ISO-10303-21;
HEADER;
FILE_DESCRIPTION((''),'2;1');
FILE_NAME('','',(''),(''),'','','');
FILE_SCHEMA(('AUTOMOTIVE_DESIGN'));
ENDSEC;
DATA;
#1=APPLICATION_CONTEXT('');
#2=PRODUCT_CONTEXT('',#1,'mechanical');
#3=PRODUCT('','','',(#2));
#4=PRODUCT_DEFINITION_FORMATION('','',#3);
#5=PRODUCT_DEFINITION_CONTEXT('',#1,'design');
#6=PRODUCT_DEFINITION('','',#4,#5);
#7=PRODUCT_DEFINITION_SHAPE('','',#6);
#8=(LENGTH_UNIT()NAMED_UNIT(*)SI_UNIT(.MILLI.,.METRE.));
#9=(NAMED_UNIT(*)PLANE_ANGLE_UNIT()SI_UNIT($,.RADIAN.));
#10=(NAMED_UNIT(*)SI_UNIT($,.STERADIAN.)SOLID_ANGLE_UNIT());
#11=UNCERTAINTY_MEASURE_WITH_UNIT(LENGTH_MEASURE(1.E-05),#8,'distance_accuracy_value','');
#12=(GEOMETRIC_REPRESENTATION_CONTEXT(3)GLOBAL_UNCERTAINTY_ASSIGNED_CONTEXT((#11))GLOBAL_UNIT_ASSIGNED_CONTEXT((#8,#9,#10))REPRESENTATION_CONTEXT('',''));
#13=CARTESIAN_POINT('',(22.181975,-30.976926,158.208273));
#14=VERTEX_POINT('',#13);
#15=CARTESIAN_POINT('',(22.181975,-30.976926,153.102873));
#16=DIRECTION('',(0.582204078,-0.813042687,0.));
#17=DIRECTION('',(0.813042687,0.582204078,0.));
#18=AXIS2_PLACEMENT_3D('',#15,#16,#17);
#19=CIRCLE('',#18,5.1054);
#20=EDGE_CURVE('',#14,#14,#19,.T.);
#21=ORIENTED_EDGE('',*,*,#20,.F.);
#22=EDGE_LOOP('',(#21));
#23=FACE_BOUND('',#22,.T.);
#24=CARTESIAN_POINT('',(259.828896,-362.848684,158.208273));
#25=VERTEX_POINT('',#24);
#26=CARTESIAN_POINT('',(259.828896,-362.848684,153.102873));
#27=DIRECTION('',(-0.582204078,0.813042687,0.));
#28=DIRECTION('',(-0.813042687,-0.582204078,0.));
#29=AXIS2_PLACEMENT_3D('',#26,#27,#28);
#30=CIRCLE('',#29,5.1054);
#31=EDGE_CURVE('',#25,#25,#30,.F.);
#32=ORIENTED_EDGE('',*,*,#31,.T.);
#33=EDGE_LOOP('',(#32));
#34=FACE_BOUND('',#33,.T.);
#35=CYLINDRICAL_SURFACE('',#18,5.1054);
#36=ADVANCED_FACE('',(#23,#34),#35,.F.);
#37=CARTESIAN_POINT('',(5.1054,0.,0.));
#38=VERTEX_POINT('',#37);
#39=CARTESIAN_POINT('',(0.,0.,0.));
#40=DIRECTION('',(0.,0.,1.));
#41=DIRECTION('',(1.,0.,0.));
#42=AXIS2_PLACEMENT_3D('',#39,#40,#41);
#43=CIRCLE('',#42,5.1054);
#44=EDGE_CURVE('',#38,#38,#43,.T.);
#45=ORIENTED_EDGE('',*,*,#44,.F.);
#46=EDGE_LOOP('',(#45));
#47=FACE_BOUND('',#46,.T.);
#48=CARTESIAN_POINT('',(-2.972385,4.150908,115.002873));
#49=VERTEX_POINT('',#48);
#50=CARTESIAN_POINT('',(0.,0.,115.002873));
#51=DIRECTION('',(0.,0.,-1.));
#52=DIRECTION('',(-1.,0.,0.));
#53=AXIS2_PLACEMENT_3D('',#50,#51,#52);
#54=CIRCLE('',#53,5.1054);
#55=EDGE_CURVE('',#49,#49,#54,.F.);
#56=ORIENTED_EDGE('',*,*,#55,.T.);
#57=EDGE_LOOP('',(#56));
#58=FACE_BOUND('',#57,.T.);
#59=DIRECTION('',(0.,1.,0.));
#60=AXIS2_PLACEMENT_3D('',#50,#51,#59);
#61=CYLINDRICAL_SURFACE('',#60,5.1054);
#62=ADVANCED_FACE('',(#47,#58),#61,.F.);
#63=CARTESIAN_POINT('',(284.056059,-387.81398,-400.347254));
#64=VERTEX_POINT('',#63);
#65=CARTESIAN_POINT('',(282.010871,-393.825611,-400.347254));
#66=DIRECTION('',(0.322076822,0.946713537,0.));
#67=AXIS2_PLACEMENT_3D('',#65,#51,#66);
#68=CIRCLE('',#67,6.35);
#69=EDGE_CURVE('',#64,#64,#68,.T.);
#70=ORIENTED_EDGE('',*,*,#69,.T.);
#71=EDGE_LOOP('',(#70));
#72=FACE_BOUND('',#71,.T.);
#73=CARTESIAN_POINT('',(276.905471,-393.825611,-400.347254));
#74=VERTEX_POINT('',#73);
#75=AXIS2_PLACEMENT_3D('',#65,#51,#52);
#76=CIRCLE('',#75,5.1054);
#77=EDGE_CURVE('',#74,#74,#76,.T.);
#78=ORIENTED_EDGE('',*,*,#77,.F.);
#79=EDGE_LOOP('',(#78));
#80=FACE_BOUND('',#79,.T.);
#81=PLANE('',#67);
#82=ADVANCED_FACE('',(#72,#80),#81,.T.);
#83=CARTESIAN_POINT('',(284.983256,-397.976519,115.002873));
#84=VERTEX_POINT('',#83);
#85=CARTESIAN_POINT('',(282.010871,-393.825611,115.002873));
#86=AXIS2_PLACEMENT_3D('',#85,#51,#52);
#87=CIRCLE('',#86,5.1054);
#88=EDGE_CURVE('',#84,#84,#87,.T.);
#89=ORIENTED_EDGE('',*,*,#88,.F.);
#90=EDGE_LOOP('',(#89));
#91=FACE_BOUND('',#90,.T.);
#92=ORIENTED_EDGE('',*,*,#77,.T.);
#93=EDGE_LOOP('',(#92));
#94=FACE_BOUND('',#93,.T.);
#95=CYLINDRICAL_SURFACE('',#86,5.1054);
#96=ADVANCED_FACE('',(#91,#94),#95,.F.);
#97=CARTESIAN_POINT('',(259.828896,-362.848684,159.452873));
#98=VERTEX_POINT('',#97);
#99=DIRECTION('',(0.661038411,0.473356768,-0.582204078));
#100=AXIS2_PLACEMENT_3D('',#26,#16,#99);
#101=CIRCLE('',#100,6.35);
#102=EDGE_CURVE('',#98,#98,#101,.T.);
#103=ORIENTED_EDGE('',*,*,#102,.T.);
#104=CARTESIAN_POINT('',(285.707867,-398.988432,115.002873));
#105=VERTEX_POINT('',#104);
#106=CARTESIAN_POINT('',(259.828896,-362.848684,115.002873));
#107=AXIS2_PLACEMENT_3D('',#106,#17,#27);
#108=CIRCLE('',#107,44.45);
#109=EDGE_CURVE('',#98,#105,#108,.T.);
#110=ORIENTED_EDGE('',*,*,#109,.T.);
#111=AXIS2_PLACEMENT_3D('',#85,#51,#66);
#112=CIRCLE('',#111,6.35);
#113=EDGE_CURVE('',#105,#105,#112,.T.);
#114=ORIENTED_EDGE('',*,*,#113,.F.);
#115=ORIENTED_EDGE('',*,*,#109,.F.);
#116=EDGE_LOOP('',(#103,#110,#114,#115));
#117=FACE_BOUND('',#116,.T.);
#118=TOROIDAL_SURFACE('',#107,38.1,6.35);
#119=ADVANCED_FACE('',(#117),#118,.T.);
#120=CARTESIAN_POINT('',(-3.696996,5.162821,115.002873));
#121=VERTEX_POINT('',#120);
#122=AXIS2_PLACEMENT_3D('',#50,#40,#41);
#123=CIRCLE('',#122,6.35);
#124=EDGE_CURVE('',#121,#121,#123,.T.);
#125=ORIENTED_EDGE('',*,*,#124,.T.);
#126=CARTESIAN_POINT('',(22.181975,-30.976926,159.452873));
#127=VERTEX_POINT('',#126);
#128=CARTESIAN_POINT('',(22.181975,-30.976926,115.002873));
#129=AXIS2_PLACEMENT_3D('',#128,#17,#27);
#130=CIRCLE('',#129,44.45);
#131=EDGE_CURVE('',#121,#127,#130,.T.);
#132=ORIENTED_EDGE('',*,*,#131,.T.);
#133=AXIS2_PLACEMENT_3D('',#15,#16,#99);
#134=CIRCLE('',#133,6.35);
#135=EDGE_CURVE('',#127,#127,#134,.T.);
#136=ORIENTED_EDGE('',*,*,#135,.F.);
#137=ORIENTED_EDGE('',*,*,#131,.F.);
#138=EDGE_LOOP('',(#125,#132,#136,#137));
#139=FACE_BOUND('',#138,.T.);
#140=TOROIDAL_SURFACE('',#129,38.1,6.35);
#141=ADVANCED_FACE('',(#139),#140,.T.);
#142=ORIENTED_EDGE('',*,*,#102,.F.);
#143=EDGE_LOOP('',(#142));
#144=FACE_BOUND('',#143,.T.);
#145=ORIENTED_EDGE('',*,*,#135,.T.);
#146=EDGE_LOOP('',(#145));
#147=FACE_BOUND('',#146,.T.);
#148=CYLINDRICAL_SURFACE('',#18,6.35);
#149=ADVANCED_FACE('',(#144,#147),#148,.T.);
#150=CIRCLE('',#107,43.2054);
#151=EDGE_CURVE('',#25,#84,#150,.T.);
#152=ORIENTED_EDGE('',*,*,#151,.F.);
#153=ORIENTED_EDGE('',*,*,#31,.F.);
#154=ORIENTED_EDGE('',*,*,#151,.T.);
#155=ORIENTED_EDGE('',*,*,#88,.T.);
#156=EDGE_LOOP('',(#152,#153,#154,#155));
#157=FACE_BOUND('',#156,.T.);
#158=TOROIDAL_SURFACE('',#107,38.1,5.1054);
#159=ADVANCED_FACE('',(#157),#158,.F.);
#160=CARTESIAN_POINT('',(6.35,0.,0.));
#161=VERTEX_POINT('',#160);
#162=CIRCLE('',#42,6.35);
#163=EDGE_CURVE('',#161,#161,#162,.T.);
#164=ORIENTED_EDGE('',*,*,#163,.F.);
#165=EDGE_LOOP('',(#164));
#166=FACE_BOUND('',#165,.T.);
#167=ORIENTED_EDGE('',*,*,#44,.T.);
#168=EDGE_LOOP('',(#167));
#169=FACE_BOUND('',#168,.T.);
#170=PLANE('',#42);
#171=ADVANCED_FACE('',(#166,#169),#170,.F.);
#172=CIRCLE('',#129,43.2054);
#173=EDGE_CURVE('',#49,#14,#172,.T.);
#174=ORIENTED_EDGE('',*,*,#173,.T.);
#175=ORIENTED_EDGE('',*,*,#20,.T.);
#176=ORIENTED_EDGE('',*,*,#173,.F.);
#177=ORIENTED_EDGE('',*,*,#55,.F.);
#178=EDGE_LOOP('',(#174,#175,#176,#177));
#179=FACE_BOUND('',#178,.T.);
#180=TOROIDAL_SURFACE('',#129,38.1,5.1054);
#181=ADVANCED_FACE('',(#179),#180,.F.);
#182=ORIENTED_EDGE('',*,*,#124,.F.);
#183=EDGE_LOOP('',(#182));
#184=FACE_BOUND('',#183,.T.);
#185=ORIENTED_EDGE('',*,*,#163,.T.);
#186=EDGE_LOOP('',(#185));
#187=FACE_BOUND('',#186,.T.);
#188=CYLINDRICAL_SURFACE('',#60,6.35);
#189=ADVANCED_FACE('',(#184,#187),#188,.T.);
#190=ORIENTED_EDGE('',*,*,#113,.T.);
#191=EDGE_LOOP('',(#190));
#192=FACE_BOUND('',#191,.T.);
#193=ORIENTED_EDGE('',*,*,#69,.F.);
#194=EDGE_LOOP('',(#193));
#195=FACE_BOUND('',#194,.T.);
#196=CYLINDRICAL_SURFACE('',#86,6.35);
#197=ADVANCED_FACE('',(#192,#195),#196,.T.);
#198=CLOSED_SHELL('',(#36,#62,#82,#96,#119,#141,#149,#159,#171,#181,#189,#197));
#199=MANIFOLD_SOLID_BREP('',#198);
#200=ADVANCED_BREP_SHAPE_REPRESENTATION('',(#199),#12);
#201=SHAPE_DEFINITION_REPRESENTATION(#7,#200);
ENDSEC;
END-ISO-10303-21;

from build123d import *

# Parameters (mm, degrees)
PIPESKETCH_R   = 6.35
PIPESKETCH_R_2 = 5.1054


with BuildPart() as part:
    # ThinSweep: sweep along a curve in space
    with BuildLine() as thinsweep_path:
        Line((0, 0, 0), (0, 0, 115.002872572))
        ThreePointArc((0, 0, 115.002872572), (6.49695017, -9.072931676, 141.943640935), (22.181975386, -30.97692638, 153.102872572))
        Line((22.181975386, -30.97692638, 153.102872572), (259.82889592, -362.848684139, 153.102872572))
        ThreePointArc((282.010871306, -393.825610519, 115.002872572), (275.513921135, -384.752678843, 141.943640935), (259.82889592, -362.848684139, 153.102872572))
        Line((282.010871306, -393.825610519, -400.347253913), (282.010871306, -393.825610519, 115.002872572))
    # PipeSketch → ThinSweep (sweep)
    with BuildSketch(Plane.XY):
        Circle(PIPESKETCH_R)
        Circle(PIPESKETCH_R_2, mode=Mode.SUBTRACT)
    sweep(path=thinsweep_path.line)


solid = part.part
